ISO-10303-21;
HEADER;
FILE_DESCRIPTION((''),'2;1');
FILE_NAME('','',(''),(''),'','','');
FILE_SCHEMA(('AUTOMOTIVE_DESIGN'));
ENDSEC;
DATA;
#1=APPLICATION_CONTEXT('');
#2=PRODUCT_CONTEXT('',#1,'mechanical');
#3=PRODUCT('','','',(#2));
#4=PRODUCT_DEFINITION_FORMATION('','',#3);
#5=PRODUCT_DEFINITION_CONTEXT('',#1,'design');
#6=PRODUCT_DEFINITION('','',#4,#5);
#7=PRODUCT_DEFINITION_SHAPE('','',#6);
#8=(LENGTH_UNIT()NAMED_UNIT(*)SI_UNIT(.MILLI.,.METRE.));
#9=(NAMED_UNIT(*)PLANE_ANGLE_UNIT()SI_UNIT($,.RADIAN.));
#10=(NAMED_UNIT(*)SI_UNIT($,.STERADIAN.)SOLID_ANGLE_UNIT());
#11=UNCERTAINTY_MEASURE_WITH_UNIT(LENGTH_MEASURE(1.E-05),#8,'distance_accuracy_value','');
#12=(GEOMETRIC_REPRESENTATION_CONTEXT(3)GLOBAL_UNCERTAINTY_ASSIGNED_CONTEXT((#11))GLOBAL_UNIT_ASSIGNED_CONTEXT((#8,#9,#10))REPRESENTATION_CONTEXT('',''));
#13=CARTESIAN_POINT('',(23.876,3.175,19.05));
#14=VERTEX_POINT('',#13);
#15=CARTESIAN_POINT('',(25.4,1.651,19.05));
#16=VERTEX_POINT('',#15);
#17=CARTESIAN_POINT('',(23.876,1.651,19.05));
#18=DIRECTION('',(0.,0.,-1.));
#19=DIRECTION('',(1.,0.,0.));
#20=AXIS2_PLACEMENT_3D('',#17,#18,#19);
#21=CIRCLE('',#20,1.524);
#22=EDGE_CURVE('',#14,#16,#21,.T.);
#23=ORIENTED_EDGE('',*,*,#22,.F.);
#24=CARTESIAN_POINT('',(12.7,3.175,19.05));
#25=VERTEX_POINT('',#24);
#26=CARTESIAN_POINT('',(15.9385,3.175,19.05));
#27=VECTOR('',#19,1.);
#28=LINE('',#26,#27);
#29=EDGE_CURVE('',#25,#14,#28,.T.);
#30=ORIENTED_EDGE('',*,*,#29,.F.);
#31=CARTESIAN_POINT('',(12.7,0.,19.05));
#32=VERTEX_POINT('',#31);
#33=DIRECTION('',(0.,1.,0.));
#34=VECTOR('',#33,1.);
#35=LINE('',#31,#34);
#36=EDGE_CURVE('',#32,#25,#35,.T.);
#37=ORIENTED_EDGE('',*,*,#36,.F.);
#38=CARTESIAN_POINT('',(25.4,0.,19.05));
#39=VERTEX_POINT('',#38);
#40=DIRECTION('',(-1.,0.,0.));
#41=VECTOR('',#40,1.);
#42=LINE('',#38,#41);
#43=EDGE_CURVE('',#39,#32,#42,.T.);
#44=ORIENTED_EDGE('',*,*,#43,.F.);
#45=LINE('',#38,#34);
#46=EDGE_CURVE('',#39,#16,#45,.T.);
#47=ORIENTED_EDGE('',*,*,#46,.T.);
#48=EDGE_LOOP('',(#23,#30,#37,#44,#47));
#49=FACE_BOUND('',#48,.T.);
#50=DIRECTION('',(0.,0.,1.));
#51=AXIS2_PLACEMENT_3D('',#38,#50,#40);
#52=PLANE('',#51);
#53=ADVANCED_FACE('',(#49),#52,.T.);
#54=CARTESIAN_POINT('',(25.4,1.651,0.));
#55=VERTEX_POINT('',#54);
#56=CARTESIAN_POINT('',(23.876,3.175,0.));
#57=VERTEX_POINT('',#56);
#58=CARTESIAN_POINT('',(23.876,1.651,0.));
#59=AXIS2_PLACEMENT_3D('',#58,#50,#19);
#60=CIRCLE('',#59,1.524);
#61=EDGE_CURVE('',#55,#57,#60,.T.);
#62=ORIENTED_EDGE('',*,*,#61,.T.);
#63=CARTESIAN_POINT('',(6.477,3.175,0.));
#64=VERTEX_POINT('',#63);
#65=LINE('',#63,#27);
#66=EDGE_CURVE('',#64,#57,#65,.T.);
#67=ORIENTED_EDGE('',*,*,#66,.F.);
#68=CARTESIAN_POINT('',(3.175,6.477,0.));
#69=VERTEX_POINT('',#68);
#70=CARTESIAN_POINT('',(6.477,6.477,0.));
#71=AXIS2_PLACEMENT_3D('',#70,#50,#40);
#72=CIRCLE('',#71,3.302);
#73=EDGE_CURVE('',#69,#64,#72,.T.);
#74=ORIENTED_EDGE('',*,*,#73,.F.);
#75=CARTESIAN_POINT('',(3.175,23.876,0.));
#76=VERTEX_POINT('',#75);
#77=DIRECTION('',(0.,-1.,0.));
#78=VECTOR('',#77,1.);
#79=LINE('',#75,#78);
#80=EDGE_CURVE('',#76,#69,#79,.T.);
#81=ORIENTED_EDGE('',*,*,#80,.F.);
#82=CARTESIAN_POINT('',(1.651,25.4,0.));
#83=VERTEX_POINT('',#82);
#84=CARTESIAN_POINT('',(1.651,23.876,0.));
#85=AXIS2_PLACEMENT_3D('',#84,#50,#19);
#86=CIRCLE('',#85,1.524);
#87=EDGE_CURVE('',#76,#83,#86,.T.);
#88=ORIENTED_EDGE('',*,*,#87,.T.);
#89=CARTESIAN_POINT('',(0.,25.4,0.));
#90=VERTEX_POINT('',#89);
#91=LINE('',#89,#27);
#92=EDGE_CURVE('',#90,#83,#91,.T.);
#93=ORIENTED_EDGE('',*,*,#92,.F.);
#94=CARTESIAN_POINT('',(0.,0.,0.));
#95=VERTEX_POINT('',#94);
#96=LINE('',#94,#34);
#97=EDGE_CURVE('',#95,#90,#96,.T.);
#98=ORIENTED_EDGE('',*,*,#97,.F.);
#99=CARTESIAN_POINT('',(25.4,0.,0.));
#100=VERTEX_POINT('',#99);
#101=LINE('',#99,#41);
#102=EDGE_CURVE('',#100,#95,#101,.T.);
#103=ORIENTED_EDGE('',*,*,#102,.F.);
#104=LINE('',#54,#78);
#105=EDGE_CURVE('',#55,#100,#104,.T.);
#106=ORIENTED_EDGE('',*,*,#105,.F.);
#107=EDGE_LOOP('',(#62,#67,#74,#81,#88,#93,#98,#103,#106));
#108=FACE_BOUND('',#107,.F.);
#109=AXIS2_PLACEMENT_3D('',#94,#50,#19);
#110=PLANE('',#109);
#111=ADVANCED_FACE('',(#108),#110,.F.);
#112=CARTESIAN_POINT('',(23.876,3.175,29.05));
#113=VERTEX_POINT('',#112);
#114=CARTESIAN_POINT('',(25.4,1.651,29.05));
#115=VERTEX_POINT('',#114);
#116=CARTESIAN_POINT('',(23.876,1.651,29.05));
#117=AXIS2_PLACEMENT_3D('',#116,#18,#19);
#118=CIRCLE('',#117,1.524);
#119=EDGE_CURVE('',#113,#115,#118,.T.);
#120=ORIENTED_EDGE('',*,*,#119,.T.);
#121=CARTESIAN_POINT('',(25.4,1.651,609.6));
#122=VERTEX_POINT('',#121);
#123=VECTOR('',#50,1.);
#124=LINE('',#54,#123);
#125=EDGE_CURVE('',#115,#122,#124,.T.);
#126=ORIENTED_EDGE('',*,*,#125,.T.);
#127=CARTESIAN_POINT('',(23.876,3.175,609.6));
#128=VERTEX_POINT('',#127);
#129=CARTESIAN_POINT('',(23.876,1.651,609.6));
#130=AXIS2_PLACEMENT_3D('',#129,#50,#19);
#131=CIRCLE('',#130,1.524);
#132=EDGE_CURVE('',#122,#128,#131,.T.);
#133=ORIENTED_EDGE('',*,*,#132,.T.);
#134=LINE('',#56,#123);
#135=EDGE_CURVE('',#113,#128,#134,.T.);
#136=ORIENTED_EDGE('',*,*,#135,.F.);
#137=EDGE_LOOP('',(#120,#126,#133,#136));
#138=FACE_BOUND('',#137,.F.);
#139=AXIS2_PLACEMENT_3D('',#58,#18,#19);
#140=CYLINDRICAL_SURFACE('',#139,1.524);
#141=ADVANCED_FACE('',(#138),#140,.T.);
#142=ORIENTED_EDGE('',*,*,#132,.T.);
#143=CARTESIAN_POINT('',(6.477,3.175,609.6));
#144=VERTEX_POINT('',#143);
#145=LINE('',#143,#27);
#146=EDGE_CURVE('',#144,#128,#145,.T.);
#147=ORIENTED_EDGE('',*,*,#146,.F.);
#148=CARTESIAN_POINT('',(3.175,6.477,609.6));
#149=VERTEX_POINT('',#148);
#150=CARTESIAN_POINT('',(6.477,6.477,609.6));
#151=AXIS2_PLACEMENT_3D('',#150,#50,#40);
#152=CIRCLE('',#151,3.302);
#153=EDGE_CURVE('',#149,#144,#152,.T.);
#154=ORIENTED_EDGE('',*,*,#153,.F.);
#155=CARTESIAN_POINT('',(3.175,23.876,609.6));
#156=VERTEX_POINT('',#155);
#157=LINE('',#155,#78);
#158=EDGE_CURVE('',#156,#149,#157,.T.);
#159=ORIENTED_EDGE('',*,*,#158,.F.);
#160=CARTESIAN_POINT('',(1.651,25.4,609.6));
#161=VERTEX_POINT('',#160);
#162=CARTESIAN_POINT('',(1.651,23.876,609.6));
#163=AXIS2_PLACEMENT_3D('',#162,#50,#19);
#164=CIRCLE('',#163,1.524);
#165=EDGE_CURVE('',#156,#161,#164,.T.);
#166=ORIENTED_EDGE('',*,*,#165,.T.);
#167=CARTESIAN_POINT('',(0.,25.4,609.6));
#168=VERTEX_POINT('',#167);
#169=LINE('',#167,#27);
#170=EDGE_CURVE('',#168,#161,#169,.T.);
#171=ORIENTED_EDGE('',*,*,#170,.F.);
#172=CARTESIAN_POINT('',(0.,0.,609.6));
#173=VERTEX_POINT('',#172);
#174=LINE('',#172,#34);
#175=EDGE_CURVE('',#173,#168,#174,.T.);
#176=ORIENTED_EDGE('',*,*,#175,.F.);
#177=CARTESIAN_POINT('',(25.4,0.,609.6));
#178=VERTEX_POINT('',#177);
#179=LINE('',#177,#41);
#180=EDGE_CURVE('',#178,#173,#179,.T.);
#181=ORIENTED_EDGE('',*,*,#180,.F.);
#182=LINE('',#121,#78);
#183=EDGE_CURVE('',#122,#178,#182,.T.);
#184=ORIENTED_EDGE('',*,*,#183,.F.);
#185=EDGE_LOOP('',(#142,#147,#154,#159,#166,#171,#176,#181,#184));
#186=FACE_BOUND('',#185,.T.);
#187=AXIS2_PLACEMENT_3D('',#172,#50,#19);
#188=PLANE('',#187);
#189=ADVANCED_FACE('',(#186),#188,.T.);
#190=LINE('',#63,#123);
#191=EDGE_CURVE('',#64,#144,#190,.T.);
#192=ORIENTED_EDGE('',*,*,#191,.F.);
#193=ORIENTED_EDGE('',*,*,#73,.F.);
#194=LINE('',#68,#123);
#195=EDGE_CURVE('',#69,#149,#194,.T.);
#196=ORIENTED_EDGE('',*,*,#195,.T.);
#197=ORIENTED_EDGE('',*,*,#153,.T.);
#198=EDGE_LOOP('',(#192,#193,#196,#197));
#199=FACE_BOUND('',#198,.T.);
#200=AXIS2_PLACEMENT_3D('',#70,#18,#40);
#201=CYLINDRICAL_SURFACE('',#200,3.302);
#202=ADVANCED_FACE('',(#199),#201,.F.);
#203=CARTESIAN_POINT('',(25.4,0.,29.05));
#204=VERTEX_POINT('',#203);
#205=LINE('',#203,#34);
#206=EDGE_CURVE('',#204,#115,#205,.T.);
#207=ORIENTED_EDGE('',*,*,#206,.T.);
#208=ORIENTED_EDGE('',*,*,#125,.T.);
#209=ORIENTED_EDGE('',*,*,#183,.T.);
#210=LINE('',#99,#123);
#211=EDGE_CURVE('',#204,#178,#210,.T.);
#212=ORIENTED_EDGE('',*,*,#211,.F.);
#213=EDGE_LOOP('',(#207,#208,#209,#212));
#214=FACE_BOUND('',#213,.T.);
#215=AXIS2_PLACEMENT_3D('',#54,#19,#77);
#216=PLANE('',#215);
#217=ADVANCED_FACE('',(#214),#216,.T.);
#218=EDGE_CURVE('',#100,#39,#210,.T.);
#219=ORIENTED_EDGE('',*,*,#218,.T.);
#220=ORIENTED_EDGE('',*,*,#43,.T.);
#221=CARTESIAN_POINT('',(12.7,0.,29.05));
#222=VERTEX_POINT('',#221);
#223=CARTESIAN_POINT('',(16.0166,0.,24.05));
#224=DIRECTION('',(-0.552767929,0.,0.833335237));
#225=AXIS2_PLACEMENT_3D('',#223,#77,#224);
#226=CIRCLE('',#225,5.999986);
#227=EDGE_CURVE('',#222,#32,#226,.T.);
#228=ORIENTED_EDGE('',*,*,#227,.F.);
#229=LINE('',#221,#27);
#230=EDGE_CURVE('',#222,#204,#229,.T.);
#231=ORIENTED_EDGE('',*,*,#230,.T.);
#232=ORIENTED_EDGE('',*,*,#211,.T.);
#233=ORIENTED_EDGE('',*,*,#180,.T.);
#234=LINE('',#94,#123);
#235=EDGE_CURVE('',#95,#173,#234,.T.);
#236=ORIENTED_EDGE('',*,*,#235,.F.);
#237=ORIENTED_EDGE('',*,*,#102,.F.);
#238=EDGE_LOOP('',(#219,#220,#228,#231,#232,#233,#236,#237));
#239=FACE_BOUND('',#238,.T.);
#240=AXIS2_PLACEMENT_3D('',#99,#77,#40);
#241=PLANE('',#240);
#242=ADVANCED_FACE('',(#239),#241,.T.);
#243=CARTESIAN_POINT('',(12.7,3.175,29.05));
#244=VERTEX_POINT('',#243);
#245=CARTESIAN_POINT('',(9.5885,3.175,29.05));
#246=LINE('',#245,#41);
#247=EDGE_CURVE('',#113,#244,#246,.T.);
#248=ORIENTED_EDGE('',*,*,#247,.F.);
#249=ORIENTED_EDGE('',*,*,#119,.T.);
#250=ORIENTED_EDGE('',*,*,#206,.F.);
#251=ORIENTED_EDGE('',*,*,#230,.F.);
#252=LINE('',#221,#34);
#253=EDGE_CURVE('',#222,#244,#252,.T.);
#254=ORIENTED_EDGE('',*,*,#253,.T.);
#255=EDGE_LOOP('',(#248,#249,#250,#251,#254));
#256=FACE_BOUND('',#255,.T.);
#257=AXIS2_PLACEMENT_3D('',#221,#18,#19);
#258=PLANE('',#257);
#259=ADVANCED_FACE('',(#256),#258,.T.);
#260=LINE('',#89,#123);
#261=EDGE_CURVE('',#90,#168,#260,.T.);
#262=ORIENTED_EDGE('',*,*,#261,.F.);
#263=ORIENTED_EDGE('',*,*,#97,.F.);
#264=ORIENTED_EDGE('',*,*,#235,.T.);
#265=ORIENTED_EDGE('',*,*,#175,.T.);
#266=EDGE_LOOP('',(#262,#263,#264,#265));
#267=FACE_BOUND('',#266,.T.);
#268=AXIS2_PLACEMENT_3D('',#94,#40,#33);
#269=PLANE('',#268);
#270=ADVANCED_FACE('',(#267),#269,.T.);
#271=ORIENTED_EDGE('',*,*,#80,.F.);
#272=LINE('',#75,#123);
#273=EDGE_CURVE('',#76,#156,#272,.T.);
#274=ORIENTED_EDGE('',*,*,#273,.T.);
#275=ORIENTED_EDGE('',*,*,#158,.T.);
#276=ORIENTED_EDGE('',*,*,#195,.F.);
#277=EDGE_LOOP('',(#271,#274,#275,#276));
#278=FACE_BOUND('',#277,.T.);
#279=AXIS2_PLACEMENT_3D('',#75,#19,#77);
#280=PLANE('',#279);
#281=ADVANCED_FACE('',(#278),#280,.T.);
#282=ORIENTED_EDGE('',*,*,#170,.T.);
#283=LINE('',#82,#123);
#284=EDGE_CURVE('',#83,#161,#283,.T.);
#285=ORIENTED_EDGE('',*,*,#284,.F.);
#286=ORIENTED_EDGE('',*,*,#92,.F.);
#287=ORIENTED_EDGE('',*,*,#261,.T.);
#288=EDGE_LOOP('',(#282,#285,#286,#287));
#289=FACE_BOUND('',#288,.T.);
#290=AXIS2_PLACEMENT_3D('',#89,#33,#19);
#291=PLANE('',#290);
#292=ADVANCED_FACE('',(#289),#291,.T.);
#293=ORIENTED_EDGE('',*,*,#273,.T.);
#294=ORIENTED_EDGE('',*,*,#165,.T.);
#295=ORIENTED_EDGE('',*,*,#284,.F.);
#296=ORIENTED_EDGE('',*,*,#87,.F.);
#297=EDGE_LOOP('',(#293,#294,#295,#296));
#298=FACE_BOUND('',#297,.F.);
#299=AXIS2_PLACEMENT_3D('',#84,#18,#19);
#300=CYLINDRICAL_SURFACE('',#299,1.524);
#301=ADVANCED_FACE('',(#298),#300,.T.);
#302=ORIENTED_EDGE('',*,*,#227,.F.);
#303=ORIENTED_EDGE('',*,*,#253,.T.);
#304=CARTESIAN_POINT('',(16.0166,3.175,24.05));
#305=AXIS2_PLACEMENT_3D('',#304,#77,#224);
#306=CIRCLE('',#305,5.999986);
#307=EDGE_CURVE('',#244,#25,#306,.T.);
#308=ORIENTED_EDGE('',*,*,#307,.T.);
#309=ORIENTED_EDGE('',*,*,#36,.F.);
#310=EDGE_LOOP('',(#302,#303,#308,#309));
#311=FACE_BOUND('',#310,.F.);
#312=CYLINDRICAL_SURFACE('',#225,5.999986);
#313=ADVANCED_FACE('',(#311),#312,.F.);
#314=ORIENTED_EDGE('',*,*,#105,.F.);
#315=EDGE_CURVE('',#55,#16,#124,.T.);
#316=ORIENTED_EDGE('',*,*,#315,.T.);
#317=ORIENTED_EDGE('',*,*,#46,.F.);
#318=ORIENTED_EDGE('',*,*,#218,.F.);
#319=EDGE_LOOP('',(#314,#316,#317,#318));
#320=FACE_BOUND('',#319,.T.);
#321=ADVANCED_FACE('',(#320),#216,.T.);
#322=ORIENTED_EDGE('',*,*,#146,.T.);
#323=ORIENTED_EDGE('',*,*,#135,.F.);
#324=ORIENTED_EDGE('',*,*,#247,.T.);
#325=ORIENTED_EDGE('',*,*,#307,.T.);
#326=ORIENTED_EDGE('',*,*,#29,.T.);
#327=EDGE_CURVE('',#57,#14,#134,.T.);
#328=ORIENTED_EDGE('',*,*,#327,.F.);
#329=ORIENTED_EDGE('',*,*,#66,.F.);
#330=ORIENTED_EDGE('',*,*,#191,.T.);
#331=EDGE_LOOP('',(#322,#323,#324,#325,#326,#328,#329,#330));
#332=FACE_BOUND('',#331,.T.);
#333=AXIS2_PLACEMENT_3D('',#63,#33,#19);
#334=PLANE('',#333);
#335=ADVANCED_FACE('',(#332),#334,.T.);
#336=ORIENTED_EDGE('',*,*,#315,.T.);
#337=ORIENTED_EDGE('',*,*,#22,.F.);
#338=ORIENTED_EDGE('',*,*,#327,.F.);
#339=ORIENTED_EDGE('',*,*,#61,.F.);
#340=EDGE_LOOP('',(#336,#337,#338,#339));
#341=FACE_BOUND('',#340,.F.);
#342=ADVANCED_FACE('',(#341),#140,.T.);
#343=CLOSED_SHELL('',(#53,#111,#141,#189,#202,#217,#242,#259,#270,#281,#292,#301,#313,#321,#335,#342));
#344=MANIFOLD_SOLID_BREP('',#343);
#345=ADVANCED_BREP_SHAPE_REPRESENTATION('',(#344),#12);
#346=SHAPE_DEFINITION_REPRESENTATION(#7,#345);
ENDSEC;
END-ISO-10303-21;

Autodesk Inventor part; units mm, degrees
ref_plane "YZ Plane" through (0, 0, 0) normal (1, 0, 0) x (0, 1, 0)
ref_plane "Start plane" through (0, 0, 0) normal (0, 0, 1) x (1, 0, 0)
ref_plane "End plane" through (0, 0, 609.6) normal (0, 0, 1) x (1, 0, 0)
sketch "Sketch" plane through (0, 0, 0) normal (0, 0, 1) x (1, 0, 0)
  line L0 (25.4, 0) -> (0, 0)
  line L1 (0, 0) -> (0, 25.4)
  line L2 (0, 25.4) -> (1.651, 25.4)
  line L3 (3.175, 23.876) -> (3.175, 6.477)
  line L4 (6.477, 3.175) -> (23.876, 3.175)
  line L5 (25.4, 1.651) -> (25.4, 0)
  line L6 (0, -11.0414) -> (0, 31.5385) construction
  line L7 (-11.0414, 0) -> (31.5385, 0) construction
  arc A0 (3.175, 6.477) -> (6.477, 3.175) centre (6.477, 6.477) ccw
  arc A1 (3.175, 23.876) -> (1.651, 25.4) centre (1.651, 23.876) ccw
  arc A2 (25.4, 1.651) -> (23.876, 3.175) centre (23.876, 1.651) ccw
  line L8 (0, 40.0545) -> (0, -19.5574) construction
  line L9 (-19.5574, 0) -> (40.0545, 0) construction
  point P0 (3.175, 25.4)
  point P1 (3.175, 3.175)
  point P2 (25.4, 3.175)
  dimension "d0" = 25.4
  dimension "d1" = 25.4
  dimension "d2" = 3.175
  dimension "d3" = 3.175
  dimension "d10" = 0
  dimension "d11" = 0
  dimension "d14" = 3.302
  dimension "d15" = 1.524
extrude "Body" add sketch "Sketch" along normal up to surface (609.6 mm away) from surface at 0
sketch "Sketch3" plane through (0, 0, 0) normal (0, 0, 1) x (1, 0, 0)
  line L0 (0, 0) -> (10, 0)
ref_plane "Work Plane3" through (0, 0, 0) normal (0, -1, 0) x (1, 0, 0)
sketch "Sketch4" plane through (0, 0, 0) normal (0, -1, 0) x (1, 0, 0)
  line L0 (-2, 0) -> (12, 0)
  line L1 (-2, 609.6) -> (12, 609.6)
  dimension "d17" = 609.6
sketch "Sketch12" plane through (0, 0, 0) normal (0, -1, 0) x (1, 0, 0)
  line L0 (25.4, 0) -> (25.4, 609.6) projected
  line L1 (25.4, 19.05) -> (12.7, 19.05)
  line L2 (12.7, 19.05) -> (12.7, 29.05)
  line L3 (12.7, 29.05) -> (25.4, 29.05)
  line L4 (25.4, 29.05) -> (25.4, 19.05)
  line L5 (25.4, 0) -> (0, 0) projected
  arc A0 (12.7, 29.05) -> (12.7, 19.05) centre (16.0166, 24.05) ccw
  point P0 (25.4, 29.05)
  dimension "d47" = 12.7
  dimension "d48" = 10
  dimension "d49" = 19.05
  dimension "d50" = 6
extrude "Extrusion6" cut sketch "Sketch12" against normal through all
equation "\"d0\" = G_H"
equation "\"d1\" = G_H"
equation "\"d2\" = G_T"
equation "\"d3\" = G_T"
equation "\"d14\" = G_IR"
equation "\"d15\" = G_ER"
equation "\"d4\" = G_L"
equation "\"d47\" = axle_inset_up"
equation "\"d49\" = axle_inset_fwd"
equation "\"G_H\" = 25.4"
equation "\"G_T\" = 3.175"
equation "\"G_ER\" = 1.524"
equation "\"G_IR\" = 3.302"
equation "\"G_L\" = d17"
equation "\"ex\" = 0"
equation "\"G_OFFSET_START\" = 0"
equation "\"G_OFFSET_END\" = 0"
equation "\"d13\" = G_OFFSET_END + B_L"
equation "\"B_L\" = 609.6"
equation "\"axle_inset_up\" = 12.7"
equation "\"axle_inset_fwd\" = 19.05"
properties part number "AISC - L 1 x 1 x 1/8 - 24" material "Steel, Mild"
